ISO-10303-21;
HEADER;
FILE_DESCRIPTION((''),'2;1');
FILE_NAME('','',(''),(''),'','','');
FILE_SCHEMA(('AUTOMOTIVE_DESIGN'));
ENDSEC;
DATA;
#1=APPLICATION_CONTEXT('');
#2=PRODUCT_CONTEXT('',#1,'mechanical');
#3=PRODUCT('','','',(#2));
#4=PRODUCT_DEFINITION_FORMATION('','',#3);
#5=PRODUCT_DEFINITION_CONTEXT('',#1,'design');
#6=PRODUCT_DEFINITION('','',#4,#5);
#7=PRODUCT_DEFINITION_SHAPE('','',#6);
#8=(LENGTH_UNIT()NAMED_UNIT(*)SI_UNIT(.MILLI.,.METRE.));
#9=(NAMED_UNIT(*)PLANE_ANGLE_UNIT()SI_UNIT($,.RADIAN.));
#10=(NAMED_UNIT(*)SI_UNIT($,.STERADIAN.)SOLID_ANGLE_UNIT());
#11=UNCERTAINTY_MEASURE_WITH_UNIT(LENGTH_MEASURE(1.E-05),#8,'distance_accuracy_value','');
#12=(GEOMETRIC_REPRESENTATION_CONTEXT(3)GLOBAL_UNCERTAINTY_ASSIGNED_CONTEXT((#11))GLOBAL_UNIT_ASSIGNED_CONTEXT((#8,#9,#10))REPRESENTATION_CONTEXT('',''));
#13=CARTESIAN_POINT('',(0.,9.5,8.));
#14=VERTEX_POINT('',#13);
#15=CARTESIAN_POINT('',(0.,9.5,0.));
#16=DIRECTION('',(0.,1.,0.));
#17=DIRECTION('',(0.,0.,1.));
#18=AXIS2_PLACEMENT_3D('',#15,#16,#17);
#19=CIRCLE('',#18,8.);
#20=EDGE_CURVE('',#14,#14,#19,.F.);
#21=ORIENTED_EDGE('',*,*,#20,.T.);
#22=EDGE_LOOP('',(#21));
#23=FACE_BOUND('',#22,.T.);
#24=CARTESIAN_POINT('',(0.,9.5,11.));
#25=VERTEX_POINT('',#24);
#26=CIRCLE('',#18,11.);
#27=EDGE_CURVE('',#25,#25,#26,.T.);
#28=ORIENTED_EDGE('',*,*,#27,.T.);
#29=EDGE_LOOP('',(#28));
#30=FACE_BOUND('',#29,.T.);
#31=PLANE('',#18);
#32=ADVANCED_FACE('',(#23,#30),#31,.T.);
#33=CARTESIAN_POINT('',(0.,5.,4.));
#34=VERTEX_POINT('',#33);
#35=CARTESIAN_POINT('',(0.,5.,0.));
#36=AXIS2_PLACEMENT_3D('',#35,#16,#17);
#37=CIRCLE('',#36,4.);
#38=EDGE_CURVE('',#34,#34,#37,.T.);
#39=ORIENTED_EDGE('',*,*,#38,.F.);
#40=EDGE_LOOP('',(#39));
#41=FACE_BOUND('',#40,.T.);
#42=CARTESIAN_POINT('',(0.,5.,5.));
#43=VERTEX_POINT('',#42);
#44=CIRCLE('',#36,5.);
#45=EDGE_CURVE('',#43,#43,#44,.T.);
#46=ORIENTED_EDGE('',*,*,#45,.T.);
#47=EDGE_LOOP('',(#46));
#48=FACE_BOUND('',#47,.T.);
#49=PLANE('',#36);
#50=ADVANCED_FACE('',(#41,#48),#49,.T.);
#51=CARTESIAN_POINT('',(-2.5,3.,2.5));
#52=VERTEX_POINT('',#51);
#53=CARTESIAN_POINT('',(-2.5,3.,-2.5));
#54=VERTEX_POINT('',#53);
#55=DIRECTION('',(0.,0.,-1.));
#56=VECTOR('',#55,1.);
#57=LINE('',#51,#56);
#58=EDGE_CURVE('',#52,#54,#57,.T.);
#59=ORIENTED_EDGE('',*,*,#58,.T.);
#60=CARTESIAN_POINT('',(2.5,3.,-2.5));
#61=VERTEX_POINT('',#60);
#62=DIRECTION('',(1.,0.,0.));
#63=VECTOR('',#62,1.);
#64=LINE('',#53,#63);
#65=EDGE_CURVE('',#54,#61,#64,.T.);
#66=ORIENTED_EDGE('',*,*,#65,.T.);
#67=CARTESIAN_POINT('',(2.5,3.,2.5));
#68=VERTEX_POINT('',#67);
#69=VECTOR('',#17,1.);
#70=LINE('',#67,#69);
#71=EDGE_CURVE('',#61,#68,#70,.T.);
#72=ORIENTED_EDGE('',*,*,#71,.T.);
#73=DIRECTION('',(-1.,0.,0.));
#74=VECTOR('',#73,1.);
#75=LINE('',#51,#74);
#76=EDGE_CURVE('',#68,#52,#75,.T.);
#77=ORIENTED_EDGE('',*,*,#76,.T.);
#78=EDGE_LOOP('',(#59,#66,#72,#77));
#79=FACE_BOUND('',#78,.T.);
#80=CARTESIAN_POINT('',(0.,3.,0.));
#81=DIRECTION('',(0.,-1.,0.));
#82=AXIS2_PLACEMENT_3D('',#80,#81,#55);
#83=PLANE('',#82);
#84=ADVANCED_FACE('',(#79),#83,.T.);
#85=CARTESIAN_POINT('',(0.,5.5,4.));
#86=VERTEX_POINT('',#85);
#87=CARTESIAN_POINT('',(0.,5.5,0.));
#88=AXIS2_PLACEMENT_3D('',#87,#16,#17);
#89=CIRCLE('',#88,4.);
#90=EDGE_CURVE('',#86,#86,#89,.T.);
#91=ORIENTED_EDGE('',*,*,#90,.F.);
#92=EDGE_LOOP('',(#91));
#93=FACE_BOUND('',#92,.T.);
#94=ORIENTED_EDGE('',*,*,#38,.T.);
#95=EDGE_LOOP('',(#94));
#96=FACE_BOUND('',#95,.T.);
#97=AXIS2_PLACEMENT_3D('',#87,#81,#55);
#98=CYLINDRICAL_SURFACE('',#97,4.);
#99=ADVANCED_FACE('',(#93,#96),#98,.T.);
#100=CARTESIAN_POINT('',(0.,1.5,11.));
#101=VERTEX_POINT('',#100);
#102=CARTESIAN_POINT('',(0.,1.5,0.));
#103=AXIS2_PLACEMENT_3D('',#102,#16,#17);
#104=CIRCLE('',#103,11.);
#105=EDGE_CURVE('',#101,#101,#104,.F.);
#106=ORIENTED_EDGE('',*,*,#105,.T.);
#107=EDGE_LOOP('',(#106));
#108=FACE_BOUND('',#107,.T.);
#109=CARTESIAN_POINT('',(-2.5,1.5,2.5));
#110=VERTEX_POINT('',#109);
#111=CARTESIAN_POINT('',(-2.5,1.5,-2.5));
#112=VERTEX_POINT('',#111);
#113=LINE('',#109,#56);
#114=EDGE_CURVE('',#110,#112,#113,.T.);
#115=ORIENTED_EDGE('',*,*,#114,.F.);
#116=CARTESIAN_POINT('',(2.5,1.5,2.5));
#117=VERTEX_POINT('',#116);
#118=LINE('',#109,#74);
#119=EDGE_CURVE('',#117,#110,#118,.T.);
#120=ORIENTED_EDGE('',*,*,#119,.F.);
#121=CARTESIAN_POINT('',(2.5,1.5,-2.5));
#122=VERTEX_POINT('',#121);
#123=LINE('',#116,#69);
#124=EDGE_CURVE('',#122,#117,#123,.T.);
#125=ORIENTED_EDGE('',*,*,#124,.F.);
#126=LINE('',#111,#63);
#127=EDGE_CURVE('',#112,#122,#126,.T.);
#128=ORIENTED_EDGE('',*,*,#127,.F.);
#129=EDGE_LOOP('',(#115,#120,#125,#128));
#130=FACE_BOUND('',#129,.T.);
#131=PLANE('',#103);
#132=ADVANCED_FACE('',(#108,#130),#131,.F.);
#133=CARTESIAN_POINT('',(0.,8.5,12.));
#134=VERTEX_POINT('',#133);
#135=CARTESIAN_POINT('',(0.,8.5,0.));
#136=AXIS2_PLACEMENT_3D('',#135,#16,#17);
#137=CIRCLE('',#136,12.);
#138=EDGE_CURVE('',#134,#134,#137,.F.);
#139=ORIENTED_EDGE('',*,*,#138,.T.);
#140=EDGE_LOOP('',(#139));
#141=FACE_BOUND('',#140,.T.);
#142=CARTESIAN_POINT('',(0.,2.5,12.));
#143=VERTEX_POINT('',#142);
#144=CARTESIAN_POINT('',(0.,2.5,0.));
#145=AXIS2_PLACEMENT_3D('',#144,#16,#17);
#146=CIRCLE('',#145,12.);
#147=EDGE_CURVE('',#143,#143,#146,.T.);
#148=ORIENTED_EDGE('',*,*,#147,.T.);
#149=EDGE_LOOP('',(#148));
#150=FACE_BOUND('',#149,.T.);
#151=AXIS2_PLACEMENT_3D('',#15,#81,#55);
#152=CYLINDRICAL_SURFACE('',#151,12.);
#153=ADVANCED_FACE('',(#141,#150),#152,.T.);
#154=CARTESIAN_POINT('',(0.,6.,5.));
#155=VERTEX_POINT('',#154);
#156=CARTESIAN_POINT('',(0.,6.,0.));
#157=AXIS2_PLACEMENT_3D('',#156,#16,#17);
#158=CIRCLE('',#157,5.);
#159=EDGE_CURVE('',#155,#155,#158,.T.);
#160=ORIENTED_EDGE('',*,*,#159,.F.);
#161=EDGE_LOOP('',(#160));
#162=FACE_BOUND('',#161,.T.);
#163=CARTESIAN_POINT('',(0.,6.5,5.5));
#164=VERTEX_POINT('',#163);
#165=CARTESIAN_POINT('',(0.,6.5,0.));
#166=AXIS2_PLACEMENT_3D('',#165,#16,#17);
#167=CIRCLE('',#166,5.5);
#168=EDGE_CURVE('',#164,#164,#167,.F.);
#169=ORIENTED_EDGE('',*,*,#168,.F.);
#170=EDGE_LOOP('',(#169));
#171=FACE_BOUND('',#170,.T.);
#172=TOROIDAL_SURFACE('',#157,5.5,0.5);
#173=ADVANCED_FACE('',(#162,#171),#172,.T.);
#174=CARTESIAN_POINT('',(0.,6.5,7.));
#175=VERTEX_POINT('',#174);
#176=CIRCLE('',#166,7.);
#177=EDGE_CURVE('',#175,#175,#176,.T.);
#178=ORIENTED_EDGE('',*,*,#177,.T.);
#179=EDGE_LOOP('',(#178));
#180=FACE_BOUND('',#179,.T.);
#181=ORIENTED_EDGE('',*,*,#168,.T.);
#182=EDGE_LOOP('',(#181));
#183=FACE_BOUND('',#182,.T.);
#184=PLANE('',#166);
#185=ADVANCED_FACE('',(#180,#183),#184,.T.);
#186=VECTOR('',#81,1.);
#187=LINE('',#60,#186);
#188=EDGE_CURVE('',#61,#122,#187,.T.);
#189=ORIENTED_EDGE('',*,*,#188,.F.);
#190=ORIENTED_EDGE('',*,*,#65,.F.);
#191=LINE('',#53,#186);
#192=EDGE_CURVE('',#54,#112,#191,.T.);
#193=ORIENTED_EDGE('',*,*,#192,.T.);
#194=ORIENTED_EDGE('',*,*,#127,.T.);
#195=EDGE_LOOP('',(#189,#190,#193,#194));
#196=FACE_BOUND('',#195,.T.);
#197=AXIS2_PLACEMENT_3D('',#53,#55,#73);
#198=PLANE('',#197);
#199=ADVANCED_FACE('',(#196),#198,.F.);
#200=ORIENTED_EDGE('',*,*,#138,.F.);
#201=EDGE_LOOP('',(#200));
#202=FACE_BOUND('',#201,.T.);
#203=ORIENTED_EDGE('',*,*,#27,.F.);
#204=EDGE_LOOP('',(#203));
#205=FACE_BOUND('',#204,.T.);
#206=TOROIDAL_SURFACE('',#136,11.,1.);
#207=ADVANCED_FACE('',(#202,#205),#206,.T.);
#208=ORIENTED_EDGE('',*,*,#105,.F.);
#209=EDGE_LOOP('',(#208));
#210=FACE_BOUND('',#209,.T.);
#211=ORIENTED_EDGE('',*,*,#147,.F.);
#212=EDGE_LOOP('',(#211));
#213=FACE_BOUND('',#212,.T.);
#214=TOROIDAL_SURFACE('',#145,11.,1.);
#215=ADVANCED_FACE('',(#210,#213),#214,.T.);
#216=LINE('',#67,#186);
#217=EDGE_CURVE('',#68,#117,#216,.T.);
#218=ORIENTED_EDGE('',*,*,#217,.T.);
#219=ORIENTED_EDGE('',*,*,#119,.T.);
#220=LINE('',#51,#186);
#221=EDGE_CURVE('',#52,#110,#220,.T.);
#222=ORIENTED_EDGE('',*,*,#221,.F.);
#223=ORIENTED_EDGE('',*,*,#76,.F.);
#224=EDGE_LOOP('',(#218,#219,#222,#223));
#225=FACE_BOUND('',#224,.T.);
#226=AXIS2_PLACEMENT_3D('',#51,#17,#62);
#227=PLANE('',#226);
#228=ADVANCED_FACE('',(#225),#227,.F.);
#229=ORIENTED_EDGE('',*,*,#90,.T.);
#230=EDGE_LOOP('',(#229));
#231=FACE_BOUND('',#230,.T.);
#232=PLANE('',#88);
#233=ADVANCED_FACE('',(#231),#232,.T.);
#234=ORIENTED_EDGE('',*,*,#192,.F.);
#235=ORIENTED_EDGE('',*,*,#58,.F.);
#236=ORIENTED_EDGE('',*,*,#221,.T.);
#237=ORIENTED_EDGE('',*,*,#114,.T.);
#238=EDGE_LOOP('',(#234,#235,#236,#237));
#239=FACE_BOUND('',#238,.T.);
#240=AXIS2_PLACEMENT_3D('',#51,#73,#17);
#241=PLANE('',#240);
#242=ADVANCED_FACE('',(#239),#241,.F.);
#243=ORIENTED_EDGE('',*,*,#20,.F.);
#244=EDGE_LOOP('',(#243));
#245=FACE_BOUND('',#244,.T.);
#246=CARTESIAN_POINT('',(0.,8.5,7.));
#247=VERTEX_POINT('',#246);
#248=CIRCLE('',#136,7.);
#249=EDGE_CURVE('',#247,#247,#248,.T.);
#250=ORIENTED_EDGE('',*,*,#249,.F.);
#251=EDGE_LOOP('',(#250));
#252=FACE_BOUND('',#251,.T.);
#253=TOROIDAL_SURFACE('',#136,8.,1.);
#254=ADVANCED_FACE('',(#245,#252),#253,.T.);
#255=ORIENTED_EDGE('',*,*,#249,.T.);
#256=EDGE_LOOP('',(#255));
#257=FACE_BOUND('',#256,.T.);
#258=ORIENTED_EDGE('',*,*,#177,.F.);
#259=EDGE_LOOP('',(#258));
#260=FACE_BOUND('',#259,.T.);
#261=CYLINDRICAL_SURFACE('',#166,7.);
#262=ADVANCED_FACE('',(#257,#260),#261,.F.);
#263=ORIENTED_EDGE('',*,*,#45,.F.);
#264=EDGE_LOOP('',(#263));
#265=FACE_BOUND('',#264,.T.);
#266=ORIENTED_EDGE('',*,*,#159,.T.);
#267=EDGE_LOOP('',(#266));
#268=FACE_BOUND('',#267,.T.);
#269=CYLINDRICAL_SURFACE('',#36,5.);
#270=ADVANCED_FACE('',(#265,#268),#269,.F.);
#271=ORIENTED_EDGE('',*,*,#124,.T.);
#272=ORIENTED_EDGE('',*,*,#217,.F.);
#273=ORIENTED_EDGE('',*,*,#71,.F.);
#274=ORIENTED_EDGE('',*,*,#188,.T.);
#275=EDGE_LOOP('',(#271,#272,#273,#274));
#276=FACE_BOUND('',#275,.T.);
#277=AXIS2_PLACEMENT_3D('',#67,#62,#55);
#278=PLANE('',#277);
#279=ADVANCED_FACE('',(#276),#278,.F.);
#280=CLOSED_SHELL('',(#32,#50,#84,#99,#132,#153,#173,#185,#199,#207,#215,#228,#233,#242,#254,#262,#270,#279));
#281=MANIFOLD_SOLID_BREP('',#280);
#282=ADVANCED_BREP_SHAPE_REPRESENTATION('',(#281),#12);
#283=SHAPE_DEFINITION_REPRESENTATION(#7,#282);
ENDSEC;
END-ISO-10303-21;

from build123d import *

# Parameters (mm, degrees)
SKETCH_1_W          = 40
SKETCH_1_H          = 15
EXTRUDE_1_DEPTH     = 1.5
SKETCH_2_R          = 12
EXTRUDE_2_DEPTH     = 8
SKETCH_3_R          = 7
SKETCH_3_R_2        = 5
CUT_EXTRUDE_1_DEPTH = 3
SKETCH_4_R          = 5
CUT_EXTRUDE_2_DEPTH = 4.5
SKETCH_5_R          = 4
EXTRUDE_3_DEPTH     = 0.5
FILLET_3_R          = 1
FILLET_5_R          = 0.5
SKETCH_6_W          = 15
SKETCH_6_H          = 1.5
CUT_EXTRUDE_3_DEPTH = 41
FILLET_6_R          = 1
SKETCH_7_W          = 5
SKETCH_7_H          = 5
CUT_EXTRUDE_4_DEPTH = 1.5


with BuildPart() as part:
    # 草图1 → 凸台-拉伸1 (new body)
    with BuildSketch(Plane(origin=(0, 0, 0), x_dir=(1, 0, 0), z_dir=(0, 1, 0))):
        Rectangle(SKETCH_1_W, SKETCH_1_H)
    extrude(amount=EXTRUDE_1_DEPTH)

    # 草图2 → 凸台-拉伸2 (add)
    with BuildSketch(Plane(origin=(0, 1.5, 0), x_dir=(1, 0, 0), z_dir=(0, 1, 0))):
        Circle(SKETCH_2_R)
    extrude(amount=EXTRUDE_2_DEPTH)

    # 草图3 → 切除-拉伸1 (cut)
    with BuildSketch(Plane(origin=(0, 9.5, 0), x_dir=(1, 0, 0), z_dir=(0, 1, 0))):
        Circle(SKETCH_3_R)
        Circle(SKETCH_3_R_2, mode=Mode.SUBTRACT)
    extrude(amount=-CUT_EXTRUDE_1_DEPTH, mode=Mode.SUBTRACT)

    # 草图4 → 切除-拉伸2 (cut)
    with BuildSketch(Plane(origin=(0, 9.5, 0), x_dir=(1, 0, 0), z_dir=(0, 1, 0))):
        Circle(SKETCH_4_R)
    extrude(amount=-CUT_EXTRUDE_2_DEPTH, mode=Mode.SUBTRACT)

    # 草图5 → 凸台-拉伸3 (add)
    with BuildSketch(Plane(origin=(0, 5, 0), x_dir=(1, 0, 0), z_dir=(0, 1, 0))):
        Circle(SKETCH_5_R)
    extrude(amount=EXTRUDE_3_DEPTH)

    # 圆角3
    fillet_3_edges = [part.edges().sort_by_distance(p)[0] for p in [
        (-12, 9.5, 0),
        (-7, 9.5, 0),
    ]]
    fillet(fillet_3_edges, radius=FILLET_3_R)

    # 圆角5
    fillet_5_edges = [part.edges().sort_by_distance(p)[0] for p in [
        (-5, 6.5, 0),
    ]]
    fillet(fillet_5_edges, radius=FILLET_5_R)

    # 草图6 → 切除-拉伸3 (cut, through all)
    with BuildSketch(Plane(origin=(20, 0, 0), x_dir=(0, 0, -1), z_dir=(1, 0, 0))):
        with Locations((0, 0.75)):
            Rectangle(SKETCH_6_W, SKETCH_6_H)
    extrude(amount=-CUT_EXTRUDE_3_DEPTH, mode=Mode.SUBTRACT)

    # 圆角6
    fillet_6_edges = [part.edges().sort_by_distance(p)[0] for p in [
        (-12, 1.5, 0),
    ]]
    fillet(fillet_6_edges, radius=FILLET_6_R)

    # 草图7 → 切除-拉伸4 (cut)
    with BuildSketch(Plane.XZ.offset(-1.5)):
        Rectangle(SKETCH_7_W, SKETCH_7_H)
    extrude(amount=-CUT_EXTRUDE_4_DEPTH, mode=Mode.SUBTRACT)


solid = part.part
